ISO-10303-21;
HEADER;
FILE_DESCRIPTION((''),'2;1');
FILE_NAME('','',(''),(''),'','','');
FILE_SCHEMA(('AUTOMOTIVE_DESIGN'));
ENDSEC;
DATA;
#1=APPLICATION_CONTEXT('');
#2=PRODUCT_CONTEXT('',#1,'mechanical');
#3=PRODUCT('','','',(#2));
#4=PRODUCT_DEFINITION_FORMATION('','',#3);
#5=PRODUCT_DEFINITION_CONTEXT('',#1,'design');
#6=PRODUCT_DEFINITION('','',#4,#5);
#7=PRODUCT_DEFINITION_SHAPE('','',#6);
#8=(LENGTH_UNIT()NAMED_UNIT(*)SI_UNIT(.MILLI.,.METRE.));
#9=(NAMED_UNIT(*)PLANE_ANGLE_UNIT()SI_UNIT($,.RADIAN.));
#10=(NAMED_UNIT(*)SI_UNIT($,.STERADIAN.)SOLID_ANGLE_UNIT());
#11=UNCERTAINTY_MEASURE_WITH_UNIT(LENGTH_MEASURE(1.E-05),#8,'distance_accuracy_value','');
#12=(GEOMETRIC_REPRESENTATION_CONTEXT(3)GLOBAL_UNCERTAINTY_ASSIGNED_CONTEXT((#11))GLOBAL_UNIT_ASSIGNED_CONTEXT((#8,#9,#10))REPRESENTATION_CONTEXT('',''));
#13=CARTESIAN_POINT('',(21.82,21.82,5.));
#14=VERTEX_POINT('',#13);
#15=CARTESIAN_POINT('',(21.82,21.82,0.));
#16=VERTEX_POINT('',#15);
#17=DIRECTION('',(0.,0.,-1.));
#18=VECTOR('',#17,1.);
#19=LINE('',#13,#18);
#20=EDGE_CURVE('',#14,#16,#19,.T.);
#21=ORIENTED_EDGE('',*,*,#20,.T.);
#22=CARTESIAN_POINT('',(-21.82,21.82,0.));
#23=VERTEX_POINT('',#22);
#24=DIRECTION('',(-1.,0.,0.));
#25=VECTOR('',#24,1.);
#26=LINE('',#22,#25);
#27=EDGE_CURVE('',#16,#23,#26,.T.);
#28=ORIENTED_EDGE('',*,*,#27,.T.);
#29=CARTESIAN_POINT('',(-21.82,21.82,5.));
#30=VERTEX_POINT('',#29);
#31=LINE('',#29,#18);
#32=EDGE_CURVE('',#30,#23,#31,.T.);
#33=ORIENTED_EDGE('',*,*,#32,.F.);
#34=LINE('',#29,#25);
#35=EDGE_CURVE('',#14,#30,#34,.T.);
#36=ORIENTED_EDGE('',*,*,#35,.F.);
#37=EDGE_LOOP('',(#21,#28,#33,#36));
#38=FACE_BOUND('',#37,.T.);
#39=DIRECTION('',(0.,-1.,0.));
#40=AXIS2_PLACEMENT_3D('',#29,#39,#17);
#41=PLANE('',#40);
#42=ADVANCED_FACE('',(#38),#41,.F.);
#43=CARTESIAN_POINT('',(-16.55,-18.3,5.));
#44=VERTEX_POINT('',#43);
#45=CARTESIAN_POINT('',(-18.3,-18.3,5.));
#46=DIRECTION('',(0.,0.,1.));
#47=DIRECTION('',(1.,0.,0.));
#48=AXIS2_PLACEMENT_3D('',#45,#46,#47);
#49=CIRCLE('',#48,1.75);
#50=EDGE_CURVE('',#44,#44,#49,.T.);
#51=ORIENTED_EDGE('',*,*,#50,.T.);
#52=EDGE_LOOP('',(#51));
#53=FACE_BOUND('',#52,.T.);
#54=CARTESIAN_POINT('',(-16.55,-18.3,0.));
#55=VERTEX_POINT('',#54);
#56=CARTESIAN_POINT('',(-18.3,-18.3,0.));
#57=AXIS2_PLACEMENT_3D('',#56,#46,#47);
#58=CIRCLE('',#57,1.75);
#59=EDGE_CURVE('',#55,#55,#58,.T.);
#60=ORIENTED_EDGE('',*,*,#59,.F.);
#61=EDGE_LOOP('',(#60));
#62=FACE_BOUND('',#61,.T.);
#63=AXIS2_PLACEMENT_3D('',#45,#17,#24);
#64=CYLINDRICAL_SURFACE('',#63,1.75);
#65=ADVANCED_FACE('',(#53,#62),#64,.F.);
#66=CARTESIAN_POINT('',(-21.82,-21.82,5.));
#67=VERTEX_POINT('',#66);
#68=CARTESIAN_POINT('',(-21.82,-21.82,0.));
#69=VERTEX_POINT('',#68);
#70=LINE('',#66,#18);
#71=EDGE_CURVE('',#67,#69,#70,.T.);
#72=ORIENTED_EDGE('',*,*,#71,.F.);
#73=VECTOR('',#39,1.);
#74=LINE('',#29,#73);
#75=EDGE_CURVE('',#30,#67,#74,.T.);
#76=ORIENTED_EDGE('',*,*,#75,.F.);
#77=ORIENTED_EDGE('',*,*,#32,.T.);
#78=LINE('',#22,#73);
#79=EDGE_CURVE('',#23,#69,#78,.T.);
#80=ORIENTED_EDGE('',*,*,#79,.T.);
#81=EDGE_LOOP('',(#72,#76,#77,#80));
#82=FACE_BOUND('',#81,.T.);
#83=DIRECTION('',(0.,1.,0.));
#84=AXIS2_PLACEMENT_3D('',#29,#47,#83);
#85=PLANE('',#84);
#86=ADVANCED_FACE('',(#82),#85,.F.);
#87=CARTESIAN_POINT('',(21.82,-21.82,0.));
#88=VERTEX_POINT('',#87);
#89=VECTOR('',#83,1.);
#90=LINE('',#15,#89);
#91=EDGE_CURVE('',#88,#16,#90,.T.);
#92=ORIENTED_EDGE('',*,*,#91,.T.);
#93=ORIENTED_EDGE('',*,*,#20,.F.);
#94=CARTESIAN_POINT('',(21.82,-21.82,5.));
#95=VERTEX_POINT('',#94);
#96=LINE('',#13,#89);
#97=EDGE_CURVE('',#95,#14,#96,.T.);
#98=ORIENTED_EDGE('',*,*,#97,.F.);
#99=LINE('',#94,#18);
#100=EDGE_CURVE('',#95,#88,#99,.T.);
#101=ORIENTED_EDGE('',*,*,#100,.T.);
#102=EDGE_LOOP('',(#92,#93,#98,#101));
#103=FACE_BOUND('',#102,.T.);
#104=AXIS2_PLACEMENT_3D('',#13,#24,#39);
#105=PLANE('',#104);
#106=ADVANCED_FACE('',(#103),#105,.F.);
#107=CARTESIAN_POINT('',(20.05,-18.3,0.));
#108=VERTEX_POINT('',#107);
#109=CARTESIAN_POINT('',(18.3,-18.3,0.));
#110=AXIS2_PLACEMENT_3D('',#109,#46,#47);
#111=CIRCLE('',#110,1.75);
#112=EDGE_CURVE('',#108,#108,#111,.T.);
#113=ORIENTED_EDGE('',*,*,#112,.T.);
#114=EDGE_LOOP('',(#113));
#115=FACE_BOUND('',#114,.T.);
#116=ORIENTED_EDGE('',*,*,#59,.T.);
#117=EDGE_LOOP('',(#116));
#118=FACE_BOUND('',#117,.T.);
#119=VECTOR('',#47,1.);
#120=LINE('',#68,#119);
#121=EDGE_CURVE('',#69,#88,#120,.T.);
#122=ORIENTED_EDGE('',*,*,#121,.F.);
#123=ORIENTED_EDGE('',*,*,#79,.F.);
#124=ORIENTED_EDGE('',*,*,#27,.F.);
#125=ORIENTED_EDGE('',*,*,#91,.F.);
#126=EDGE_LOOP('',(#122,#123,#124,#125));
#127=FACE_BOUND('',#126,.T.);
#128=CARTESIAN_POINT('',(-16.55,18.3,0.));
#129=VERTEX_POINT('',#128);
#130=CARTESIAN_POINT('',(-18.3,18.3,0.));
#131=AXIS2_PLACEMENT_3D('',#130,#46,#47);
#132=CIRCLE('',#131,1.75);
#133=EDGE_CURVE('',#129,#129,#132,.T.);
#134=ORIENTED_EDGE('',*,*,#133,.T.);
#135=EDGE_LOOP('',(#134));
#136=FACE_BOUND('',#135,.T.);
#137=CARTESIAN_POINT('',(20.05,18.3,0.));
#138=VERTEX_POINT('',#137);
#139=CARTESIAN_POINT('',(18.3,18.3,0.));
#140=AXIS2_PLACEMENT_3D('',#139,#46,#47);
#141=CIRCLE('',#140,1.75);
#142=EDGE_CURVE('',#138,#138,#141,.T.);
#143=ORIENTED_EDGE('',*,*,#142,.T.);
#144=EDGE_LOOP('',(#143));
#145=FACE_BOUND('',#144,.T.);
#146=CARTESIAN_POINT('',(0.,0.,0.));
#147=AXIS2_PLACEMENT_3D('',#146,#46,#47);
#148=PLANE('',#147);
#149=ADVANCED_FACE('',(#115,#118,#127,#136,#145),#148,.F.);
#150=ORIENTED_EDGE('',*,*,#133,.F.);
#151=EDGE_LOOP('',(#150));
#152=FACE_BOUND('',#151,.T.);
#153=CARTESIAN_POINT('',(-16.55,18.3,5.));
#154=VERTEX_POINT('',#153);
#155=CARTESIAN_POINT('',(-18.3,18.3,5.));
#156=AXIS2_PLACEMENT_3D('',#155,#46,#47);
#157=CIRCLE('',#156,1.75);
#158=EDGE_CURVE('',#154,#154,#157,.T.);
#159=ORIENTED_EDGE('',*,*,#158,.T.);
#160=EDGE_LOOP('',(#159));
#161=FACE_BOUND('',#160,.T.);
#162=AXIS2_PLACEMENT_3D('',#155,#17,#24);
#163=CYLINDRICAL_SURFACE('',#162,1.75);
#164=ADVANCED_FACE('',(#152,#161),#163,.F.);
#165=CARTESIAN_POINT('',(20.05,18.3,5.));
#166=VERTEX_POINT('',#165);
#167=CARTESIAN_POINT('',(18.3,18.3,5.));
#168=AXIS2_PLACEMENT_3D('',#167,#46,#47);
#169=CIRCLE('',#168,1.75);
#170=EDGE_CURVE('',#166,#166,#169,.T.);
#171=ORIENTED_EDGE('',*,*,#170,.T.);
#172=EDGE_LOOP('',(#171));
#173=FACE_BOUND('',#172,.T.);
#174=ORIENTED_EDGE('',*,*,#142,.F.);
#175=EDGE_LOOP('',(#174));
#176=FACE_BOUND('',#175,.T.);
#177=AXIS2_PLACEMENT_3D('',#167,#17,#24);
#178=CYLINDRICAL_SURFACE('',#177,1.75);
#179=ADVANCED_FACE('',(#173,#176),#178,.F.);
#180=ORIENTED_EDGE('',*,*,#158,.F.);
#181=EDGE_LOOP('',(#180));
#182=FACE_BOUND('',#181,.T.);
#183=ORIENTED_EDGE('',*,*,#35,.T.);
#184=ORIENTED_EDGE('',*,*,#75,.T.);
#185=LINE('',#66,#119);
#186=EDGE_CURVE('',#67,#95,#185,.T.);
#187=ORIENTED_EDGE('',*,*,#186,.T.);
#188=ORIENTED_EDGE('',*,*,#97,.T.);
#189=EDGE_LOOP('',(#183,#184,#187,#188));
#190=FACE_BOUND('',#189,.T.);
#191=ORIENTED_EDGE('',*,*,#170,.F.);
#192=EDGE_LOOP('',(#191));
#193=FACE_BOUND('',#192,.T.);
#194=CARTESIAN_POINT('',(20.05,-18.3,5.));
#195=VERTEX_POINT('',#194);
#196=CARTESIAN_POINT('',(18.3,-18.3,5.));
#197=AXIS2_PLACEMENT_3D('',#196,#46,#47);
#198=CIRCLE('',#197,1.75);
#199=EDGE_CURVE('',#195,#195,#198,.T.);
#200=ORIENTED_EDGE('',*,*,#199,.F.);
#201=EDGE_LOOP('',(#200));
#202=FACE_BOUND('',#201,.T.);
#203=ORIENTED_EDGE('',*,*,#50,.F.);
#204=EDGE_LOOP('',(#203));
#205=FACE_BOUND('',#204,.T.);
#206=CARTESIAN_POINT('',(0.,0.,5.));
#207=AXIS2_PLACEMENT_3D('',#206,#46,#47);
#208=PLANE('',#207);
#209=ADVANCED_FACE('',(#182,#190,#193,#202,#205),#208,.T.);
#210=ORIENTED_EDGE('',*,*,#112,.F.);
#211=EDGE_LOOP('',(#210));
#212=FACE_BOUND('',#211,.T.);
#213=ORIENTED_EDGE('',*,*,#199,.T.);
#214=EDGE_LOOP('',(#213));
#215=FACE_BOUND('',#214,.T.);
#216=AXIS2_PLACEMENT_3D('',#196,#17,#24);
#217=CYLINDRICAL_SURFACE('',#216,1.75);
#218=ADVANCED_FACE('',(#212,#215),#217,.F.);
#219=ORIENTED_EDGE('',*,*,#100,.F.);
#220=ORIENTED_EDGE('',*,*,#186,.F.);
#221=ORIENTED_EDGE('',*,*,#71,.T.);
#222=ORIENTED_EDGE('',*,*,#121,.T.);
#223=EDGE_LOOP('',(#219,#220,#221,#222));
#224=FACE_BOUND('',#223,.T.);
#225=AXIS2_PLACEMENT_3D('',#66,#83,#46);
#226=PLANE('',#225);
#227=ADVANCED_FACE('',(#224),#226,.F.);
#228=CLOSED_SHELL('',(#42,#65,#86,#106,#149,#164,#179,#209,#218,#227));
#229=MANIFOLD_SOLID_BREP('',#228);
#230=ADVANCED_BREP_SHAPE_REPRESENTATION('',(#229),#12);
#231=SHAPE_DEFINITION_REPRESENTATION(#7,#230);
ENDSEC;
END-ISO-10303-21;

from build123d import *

# Parameters (mm, degrees)
SKETCH_1_W      = 43.64
SKETCH_1_H      = 43.64
SKETCH_1_R      = 1.75
EXTRUDE_1_DEPTH = 5


with BuildPart() as part:
    # 草图1 → 凸台-拉伸1 (new body)
    with BuildSketch(Plane.XY):
        Rectangle(SKETCH_1_W, SKETCH_1_H)
        with Locations((-18.3, -18.3)):
            Circle(SKETCH_1_R, mode=Mode.SUBTRACT)
        with Locations((-18.3, 18.3)):
            Circle(SKETCH_1_R, mode=Mode.SUBTRACT)
        with Locations((18.3, 18.3)):
            Circle(SKETCH_1_R, mode=Mode.SUBTRACT)
        with Locations((18.3, -18.3)):
            Circle(SKETCH_1_R, mode=Mode.SUBTRACT)
    extrude(amount=EXTRUDE_1_DEPTH)


solid = part.part
